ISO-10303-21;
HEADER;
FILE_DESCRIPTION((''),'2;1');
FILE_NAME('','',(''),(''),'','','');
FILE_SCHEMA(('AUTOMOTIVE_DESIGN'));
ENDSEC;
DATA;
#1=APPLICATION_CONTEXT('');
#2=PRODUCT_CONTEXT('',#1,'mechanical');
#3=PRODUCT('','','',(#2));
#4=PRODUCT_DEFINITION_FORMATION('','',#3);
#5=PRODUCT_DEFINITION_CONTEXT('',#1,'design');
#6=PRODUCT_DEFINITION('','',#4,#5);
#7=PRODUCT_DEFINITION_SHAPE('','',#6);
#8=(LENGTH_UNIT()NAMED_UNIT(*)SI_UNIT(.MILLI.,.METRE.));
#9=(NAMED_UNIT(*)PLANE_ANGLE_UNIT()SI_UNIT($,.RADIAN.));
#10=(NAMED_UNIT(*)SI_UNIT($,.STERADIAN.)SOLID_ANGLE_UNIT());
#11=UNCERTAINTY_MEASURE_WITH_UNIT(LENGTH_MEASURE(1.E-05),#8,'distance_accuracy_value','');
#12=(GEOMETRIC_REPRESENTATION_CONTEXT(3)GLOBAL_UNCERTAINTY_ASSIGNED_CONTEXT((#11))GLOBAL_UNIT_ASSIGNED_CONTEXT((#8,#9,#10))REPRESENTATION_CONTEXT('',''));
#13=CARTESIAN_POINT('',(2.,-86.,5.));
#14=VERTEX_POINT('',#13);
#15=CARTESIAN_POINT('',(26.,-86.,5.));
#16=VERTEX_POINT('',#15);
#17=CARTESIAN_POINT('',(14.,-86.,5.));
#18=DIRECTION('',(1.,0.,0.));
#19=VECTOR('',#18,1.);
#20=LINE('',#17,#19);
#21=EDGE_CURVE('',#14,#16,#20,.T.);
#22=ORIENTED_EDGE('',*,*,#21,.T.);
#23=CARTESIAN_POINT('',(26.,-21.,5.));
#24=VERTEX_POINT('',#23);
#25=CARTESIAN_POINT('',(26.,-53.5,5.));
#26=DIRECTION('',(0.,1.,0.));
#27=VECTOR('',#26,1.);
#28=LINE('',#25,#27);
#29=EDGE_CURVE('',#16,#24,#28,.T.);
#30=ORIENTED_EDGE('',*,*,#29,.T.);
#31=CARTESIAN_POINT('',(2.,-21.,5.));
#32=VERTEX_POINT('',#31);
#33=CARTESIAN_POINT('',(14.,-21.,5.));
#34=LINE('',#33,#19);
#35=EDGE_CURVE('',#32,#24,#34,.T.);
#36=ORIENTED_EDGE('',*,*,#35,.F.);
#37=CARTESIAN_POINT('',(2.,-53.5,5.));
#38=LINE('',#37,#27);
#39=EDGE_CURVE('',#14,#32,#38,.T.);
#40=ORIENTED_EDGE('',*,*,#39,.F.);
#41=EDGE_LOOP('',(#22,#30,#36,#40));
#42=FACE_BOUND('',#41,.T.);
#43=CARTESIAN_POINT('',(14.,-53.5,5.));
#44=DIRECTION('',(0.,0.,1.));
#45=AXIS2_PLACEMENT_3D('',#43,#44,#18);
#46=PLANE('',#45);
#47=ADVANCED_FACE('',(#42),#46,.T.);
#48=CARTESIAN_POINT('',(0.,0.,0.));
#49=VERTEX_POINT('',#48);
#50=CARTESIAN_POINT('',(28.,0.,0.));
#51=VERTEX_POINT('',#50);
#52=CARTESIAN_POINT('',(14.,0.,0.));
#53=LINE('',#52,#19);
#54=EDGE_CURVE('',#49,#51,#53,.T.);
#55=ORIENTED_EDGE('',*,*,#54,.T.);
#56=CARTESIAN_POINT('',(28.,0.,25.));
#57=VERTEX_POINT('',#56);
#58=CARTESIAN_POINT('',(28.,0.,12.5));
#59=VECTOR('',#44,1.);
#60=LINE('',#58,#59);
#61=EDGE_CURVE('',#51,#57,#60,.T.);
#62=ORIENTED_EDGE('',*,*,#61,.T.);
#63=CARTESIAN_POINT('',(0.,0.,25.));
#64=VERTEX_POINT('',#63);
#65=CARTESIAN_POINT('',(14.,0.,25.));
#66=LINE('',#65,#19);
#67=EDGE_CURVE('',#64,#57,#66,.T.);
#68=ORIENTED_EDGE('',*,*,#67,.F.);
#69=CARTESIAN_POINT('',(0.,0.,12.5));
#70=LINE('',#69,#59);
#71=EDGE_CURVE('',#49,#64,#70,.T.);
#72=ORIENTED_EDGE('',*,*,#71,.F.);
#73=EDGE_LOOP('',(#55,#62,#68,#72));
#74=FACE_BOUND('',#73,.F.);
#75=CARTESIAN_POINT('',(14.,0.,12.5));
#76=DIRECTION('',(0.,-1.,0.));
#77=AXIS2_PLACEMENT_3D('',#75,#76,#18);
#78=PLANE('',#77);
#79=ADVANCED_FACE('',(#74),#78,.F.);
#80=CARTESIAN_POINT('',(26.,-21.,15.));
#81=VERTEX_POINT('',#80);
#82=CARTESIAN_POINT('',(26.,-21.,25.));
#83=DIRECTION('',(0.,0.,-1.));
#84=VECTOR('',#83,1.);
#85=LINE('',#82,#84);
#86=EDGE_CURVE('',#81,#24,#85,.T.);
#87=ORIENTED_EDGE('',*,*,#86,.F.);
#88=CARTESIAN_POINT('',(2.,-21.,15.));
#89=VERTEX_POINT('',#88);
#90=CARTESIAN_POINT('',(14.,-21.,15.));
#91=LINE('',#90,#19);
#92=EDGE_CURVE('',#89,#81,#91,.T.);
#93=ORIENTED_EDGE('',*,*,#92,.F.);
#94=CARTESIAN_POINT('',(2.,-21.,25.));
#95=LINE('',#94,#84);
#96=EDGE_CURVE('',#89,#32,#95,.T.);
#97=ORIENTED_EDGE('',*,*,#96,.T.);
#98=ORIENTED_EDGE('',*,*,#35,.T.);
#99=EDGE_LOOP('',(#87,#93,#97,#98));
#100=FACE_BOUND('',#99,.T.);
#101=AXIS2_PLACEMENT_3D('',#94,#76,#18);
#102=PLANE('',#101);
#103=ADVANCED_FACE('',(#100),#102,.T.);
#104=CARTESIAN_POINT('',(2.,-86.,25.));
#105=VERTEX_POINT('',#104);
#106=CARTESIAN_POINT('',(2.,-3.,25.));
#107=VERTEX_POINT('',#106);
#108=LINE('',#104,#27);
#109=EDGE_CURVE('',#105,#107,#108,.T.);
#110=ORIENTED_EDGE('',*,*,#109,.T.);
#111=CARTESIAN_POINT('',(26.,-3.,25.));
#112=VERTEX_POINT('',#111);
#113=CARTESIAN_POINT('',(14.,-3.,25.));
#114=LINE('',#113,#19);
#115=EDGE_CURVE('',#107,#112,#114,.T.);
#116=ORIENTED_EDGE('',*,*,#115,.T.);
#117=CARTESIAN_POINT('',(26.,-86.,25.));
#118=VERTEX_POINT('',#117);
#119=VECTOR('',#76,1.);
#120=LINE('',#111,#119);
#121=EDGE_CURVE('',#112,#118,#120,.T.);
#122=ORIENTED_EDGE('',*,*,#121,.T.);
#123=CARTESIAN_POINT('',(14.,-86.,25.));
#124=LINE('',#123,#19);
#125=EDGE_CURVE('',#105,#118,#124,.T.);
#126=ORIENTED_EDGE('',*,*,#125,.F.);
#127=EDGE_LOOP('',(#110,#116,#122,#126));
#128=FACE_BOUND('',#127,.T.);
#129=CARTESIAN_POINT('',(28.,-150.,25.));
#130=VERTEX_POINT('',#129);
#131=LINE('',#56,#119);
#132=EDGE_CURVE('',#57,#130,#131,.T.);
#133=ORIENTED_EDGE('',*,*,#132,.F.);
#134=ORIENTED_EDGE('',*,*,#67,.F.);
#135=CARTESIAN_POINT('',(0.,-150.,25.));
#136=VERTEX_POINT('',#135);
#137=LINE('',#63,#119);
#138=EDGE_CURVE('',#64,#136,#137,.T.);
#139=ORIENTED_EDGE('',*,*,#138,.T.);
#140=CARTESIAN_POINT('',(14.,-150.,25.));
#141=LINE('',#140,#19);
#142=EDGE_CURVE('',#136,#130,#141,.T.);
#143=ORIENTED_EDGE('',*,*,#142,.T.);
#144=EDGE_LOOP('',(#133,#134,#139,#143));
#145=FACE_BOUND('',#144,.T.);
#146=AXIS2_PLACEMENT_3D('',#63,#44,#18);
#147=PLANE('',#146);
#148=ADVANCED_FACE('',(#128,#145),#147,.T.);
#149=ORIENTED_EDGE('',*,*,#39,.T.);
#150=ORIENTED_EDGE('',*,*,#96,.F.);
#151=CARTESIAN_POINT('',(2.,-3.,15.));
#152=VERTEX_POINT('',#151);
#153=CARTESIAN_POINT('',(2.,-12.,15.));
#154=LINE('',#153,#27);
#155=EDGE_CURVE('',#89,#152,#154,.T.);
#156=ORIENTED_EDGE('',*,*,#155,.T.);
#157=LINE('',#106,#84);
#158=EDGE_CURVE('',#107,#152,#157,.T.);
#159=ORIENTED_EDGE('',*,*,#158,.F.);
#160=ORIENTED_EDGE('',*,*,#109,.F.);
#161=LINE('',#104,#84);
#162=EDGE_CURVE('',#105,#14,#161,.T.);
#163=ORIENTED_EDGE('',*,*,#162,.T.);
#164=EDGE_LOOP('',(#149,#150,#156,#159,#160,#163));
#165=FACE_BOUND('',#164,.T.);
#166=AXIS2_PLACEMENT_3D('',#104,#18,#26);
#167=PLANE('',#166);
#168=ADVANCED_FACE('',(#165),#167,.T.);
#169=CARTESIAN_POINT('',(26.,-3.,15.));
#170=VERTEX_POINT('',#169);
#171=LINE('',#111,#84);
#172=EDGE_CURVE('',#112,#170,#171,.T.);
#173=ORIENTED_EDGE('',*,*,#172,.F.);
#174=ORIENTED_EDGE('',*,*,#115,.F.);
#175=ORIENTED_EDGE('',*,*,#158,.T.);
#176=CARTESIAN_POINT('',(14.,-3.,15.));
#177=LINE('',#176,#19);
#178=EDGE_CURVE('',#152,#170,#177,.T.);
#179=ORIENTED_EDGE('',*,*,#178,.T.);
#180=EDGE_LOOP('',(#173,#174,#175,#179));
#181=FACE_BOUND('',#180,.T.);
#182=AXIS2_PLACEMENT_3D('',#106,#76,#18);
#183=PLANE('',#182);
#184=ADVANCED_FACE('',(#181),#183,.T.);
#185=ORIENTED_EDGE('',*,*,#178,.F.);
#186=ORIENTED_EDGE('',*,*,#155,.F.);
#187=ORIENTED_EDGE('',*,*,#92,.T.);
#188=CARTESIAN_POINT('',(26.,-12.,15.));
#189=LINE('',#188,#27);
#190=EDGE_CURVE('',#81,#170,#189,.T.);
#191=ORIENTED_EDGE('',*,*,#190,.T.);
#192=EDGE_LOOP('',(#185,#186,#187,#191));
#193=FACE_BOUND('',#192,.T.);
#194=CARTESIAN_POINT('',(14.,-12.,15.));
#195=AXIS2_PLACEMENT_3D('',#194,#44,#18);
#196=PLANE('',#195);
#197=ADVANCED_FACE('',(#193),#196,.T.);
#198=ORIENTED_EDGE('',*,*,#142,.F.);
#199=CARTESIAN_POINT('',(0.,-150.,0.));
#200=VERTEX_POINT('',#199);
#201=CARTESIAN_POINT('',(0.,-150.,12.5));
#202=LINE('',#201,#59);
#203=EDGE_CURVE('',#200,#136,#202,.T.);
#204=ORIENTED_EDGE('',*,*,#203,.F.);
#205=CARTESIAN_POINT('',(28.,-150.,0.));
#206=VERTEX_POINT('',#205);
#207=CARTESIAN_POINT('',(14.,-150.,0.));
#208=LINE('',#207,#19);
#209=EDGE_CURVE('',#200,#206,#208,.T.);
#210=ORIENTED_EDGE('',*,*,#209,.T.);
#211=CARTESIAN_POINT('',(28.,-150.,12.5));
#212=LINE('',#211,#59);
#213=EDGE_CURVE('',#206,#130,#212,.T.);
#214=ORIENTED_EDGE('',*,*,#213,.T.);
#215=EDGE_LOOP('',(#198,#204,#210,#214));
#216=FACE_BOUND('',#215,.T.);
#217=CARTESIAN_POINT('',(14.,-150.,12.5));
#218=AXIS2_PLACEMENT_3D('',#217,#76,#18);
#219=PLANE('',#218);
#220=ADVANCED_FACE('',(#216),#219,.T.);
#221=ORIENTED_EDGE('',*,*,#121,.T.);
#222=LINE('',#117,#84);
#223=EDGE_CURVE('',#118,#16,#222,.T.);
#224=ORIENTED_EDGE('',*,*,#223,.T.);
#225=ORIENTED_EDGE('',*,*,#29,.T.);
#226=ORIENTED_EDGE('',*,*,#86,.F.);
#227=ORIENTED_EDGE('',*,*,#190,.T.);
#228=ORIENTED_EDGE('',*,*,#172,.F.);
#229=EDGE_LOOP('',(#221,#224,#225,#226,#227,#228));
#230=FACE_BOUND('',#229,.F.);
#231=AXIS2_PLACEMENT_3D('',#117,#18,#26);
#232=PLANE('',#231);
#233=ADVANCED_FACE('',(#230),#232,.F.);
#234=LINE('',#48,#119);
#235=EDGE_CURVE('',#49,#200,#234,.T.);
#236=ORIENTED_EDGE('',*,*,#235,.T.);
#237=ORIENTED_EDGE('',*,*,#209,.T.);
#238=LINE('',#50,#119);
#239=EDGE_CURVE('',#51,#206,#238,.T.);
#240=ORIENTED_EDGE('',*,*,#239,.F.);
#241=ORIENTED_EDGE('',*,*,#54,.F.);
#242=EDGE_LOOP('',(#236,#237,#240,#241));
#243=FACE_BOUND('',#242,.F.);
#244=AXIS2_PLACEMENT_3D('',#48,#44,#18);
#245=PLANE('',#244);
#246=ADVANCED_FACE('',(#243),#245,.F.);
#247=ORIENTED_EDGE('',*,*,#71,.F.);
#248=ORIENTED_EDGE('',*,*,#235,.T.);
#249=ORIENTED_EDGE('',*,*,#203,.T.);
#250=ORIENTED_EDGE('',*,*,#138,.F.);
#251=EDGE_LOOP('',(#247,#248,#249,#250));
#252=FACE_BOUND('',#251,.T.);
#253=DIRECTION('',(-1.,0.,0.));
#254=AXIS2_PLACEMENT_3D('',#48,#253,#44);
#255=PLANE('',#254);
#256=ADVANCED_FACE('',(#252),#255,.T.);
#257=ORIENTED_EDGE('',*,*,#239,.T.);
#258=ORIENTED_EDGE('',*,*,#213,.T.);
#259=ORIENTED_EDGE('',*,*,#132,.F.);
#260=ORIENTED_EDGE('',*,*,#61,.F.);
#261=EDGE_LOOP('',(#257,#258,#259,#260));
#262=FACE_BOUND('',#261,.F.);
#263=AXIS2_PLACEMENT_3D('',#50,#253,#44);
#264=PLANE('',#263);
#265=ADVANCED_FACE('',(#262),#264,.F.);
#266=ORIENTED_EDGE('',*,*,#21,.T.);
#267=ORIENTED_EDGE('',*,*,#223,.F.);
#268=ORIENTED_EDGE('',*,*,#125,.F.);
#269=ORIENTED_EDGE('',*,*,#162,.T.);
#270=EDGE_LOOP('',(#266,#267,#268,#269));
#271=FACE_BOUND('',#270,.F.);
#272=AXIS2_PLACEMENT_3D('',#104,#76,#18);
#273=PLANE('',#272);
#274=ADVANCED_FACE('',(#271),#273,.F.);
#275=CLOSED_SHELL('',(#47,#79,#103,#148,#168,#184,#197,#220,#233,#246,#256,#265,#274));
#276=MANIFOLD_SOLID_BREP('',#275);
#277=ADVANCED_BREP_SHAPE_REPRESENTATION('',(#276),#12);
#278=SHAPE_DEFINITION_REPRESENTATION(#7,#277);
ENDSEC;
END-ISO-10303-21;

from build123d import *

# Parameters (mm, degrees)
F0_W     = 28
F0_H     = 25
F1_DEPTH = 150
F2_W     = 24
F2_H     = 18
F3_DEPTH = 10
F4_W     = 24
F4_H     = 65
F5_DEPTH = 20


with BuildPart() as f1:
    # F0 (on Front) → F1 (new body)
    with BuildSketch(Plane.XZ):
        with Locations((14, 12.5)):
            Rectangle(F0_W, F0_H)
    extrude(amount=F1_DEPTH)

    # F2 (on face) → F3 (cut)
    with BuildSketch(Plane.XY.offset(25)):
        with Locations((14, -12)):
            Rectangle(F2_W, F2_H)
    extrude(amount=-F3_DEPTH, mode=Mode.SUBTRACT)

    # F4 (on face) → F5 (cut)
    with BuildSketch(Plane.XY.offset(25)):
        with Locations((14, -53.5)):
            Rectangle(F4_W, F4_H)
    extrude(amount=-F5_DEPTH, mode=Mode.SUBTRACT)


solid = f1.part
